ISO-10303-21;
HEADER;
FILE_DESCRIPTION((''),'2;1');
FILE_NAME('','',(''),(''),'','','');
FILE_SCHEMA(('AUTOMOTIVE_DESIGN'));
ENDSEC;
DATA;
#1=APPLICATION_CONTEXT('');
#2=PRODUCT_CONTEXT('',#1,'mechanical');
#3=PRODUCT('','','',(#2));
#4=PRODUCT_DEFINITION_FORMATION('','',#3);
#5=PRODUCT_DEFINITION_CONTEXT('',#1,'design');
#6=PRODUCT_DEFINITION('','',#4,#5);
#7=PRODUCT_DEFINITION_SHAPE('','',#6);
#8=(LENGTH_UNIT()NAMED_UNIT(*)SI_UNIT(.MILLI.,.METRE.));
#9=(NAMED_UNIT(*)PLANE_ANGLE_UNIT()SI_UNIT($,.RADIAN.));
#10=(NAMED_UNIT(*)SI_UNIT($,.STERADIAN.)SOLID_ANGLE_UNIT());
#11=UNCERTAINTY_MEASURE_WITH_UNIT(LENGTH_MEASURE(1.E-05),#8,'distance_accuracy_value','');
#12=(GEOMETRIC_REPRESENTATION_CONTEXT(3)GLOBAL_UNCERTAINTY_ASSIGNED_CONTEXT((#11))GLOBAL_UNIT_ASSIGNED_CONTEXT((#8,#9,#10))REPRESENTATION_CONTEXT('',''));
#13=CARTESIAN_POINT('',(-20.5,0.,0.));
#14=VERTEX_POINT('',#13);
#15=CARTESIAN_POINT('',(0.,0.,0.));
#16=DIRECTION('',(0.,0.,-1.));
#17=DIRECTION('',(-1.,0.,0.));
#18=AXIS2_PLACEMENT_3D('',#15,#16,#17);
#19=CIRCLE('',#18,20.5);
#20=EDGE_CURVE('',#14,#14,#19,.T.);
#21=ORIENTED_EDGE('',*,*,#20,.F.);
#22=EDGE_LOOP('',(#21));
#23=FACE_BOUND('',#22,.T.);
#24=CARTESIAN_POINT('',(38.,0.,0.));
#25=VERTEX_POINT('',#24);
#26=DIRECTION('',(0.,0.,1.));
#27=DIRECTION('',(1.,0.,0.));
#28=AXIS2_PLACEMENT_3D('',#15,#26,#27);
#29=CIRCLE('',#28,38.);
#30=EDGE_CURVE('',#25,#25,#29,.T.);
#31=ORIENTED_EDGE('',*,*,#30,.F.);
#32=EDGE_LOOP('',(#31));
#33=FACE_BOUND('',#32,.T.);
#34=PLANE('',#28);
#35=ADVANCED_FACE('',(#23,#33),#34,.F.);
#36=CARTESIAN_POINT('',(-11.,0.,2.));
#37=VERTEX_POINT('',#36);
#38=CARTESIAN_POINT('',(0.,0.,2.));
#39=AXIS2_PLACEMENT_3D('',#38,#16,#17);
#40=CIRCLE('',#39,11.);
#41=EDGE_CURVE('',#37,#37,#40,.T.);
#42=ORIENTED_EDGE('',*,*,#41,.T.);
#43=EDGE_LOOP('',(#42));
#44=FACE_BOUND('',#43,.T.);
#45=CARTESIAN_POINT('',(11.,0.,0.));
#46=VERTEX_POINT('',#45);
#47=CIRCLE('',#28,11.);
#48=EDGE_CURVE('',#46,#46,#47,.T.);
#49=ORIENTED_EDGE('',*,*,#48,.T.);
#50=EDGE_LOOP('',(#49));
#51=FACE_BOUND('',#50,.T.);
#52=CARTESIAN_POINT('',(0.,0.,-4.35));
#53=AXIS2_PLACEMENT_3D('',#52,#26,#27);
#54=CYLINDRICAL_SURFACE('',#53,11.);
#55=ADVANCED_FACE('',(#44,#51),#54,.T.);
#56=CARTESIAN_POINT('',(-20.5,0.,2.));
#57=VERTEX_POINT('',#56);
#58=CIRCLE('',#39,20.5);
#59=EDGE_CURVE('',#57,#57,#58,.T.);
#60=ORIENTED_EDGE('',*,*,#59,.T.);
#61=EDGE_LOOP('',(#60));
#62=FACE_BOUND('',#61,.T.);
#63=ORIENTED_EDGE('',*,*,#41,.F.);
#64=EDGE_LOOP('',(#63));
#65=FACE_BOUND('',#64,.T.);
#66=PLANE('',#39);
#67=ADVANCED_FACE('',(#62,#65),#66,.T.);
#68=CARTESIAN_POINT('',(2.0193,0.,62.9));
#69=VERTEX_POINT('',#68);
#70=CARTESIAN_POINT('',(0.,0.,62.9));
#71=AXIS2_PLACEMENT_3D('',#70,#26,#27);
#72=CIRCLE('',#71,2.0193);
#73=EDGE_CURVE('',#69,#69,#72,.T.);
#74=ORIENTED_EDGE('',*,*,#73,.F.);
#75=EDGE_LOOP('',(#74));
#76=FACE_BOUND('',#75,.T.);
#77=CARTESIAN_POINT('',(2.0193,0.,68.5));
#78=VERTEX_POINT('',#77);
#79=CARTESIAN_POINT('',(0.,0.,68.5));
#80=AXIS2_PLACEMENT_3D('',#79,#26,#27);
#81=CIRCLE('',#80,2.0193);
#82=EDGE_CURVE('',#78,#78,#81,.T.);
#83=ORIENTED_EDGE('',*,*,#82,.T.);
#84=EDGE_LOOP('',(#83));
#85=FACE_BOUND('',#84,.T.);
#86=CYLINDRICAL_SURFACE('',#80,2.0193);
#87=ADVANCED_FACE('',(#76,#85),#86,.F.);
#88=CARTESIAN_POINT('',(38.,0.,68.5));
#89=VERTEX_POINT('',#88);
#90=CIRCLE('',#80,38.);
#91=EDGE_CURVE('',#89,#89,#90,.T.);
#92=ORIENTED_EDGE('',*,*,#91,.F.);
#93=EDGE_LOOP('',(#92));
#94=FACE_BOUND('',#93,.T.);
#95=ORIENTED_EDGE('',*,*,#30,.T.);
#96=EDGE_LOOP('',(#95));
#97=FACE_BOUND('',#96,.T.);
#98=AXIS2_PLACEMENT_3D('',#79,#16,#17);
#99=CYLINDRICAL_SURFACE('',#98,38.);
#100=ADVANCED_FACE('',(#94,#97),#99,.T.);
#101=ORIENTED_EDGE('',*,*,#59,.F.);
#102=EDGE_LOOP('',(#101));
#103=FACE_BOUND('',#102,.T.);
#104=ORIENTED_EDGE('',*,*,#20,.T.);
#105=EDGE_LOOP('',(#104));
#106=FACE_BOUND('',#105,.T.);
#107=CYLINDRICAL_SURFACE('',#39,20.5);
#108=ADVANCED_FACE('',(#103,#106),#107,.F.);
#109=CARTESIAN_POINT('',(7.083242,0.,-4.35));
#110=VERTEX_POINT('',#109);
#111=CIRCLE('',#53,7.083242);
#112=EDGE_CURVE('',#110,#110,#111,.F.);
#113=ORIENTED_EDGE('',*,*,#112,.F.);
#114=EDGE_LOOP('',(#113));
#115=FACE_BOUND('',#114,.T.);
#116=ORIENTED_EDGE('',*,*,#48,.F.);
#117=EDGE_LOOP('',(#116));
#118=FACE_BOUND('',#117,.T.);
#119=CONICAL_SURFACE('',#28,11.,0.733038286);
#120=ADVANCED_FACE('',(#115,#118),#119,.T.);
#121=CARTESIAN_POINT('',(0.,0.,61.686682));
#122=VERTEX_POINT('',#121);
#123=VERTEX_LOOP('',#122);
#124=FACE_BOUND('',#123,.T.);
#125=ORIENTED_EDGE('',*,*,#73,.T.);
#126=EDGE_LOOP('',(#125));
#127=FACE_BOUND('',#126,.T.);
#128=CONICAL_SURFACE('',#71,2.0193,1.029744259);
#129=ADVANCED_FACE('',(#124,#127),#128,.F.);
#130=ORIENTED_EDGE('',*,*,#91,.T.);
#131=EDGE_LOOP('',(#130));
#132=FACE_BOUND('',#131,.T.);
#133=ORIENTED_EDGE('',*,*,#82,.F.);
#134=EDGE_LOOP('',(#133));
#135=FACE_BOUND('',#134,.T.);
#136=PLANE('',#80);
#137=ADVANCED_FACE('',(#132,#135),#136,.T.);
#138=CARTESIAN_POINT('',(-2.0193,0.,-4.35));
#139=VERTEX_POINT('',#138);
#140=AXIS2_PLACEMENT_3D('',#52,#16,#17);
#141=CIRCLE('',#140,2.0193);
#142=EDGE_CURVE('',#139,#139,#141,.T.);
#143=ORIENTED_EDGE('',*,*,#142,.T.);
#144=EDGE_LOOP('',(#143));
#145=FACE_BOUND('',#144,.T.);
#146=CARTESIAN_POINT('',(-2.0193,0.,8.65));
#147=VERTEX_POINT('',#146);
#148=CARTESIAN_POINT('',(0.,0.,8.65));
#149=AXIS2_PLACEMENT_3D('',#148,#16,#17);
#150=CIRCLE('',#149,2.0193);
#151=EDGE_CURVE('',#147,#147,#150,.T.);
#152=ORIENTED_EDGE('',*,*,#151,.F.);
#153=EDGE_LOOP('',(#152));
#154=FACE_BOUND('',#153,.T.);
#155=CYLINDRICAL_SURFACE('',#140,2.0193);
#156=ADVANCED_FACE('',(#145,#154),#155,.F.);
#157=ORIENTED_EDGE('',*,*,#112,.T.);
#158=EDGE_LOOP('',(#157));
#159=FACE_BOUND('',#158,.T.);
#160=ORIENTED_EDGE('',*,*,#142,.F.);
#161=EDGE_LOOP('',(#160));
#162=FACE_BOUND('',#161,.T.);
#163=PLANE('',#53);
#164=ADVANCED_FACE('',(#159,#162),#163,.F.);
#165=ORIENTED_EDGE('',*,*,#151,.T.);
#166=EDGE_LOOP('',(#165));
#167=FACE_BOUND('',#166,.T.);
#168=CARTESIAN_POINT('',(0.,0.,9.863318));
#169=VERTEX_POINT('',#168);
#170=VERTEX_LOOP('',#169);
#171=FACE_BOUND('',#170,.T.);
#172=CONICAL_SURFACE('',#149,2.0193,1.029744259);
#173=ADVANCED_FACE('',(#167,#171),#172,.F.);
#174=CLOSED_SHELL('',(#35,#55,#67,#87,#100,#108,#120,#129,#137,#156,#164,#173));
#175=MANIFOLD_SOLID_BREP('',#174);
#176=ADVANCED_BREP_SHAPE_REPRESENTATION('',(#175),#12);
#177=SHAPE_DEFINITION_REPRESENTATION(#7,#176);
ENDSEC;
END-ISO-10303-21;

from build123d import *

# Parameters (mm, degrees)
SKETCH1_R                  = 38
BOSS_EXTRUDE1_DEPTH        = 68.5
SKETCH3_R                  = 20.5
CUT_EXTRUDE1_DEPTH         = 2
SKETCH4_R                  = 11
BOSS_EXTRUDE3_DEPTH        = 6.35
CHAMFER1_SIZE              = 4.35
CHAMFER1_SIZE2             = 3.916757593
F_10_32_TAPPED_HOLE1_D     = 4.0386
F_10_32_TAPPED_HOLE1_DEPTH = 5.6
F_10_32_TAPPED_HOLE1_TIP   = 1.213317848
F_10_32_TAPPED_HOLE2_D     = 4.0386
F_10_32_TAPPED_HOLE2_DEPTH = 13
F_10_32_TAPPED_HOLE2_TIP   = 1.213317848


with BuildPart() as part:
    # Sketch1 → Boss-Extrude1 (new body)
    with BuildSketch(Plane.XY):
        Circle(SKETCH1_R)
    extrude(amount=BOSS_EXTRUDE1_DEPTH)

    # Sketch3 → Cut-Extrude1 (cut)
    with BuildSketch(Plane(origin=(0, 0, 0), x_dir=(-1, 0, 0), z_dir=(0, 0, -1))):
        Circle(SKETCH3_R)
    extrude(amount=-CUT_EXTRUDE1_DEPTH, mode=Mode.SUBTRACT)

    # Sketch4 → Boss-Extrude3 (add)
    with BuildSketch(Plane.XY.offset(2)):
        Circle(SKETCH4_R)
    extrude(amount=-BOSS_EXTRUDE3_DEPTH)

    # Chamfer1
    chamfer1_edges = [part.edges().sort_by_distance(p)[0] for p in [
        (-11, 0, -4.35),
    ]]
    chamfer1_side = [part.faces().sort_by_distance(p)[0] for p in [
        (-11, 0, -1.175),
    ]]
    chamfer(chamfer1_edges, length=CHAMFER1_SIZE, length2=CHAMFER1_SIZE2, reference=chamfer1_side[0])

    # #10-32 Tapped Hole1
    with Locations(Plane.XY.offset(68.5)):
        with Locations((0, 0)):
            Hole(F_10_32_TAPPED_HOLE1_D / 2, depth=F_10_32_TAPPED_HOLE1_DEPTH)
            with Locations((0, 0, -(F_10_32_TAPPED_HOLE1_DEPTH + F_10_32_TAPPED_HOLE1_TIP / 2))):  # 118° drill point
                Cone(0, F_10_32_TAPPED_HOLE1_D / 2, F_10_32_TAPPED_HOLE1_TIP, mode=Mode.SUBTRACT)

    # #10-32 Tapped Hole2
    with Locations(Plane(origin=(0, 0, -4.35), x_dir=(-1, 0, 0), z_dir=(0, 0, -1))):
        with Locations((0, 0)):
            Hole(F_10_32_TAPPED_HOLE2_D / 2, depth=F_10_32_TAPPED_HOLE2_DEPTH)
            with Locations((0, 0, -(F_10_32_TAPPED_HOLE2_DEPTH + F_10_32_TAPPED_HOLE2_TIP / 2))):  # 118° drill point
                Cone(0, F_10_32_TAPPED_HOLE2_D / 2, F_10_32_TAPPED_HOLE2_TIP, mode=Mode.SUBTRACT)


solid = part.part
